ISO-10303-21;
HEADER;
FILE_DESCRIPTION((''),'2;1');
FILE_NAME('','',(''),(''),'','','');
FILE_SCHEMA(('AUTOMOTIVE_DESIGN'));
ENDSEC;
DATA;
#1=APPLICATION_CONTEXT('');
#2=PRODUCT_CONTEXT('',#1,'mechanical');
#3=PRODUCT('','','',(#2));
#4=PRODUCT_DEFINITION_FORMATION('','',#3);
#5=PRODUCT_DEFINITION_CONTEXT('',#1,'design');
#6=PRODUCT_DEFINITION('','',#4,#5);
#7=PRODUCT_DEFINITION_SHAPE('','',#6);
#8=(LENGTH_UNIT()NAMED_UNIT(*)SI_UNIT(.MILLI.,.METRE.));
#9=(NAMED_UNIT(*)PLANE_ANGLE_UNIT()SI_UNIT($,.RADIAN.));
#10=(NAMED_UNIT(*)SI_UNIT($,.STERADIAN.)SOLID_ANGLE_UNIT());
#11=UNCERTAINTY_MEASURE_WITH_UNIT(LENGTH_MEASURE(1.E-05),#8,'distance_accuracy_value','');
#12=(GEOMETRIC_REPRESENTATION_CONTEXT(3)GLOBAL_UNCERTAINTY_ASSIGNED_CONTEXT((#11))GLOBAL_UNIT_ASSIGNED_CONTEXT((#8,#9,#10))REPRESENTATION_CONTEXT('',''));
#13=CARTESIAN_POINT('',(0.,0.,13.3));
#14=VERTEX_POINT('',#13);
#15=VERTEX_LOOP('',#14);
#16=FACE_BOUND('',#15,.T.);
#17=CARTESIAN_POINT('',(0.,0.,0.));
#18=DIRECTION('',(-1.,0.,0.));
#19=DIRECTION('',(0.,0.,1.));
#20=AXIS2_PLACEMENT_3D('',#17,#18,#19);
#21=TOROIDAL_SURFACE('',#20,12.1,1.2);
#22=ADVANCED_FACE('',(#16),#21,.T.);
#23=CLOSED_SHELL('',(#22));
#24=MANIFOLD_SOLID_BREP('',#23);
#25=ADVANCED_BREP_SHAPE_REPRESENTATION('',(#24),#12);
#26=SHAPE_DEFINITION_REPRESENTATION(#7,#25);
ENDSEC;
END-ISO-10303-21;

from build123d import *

# Parameters (mm, degrees)
ESBO_O1_R = 1.2


with BuildPart() as part:
    # Esboço1 → Revolução1 (revolve)
    with BuildSketch(Plane.XY):
        with Locations((0, 12.1)):
            Circle(ESBO_O1_R)
    revolve(axis=Axis((0, 0, 0), (1, 0, 0)))


solid = part.part
